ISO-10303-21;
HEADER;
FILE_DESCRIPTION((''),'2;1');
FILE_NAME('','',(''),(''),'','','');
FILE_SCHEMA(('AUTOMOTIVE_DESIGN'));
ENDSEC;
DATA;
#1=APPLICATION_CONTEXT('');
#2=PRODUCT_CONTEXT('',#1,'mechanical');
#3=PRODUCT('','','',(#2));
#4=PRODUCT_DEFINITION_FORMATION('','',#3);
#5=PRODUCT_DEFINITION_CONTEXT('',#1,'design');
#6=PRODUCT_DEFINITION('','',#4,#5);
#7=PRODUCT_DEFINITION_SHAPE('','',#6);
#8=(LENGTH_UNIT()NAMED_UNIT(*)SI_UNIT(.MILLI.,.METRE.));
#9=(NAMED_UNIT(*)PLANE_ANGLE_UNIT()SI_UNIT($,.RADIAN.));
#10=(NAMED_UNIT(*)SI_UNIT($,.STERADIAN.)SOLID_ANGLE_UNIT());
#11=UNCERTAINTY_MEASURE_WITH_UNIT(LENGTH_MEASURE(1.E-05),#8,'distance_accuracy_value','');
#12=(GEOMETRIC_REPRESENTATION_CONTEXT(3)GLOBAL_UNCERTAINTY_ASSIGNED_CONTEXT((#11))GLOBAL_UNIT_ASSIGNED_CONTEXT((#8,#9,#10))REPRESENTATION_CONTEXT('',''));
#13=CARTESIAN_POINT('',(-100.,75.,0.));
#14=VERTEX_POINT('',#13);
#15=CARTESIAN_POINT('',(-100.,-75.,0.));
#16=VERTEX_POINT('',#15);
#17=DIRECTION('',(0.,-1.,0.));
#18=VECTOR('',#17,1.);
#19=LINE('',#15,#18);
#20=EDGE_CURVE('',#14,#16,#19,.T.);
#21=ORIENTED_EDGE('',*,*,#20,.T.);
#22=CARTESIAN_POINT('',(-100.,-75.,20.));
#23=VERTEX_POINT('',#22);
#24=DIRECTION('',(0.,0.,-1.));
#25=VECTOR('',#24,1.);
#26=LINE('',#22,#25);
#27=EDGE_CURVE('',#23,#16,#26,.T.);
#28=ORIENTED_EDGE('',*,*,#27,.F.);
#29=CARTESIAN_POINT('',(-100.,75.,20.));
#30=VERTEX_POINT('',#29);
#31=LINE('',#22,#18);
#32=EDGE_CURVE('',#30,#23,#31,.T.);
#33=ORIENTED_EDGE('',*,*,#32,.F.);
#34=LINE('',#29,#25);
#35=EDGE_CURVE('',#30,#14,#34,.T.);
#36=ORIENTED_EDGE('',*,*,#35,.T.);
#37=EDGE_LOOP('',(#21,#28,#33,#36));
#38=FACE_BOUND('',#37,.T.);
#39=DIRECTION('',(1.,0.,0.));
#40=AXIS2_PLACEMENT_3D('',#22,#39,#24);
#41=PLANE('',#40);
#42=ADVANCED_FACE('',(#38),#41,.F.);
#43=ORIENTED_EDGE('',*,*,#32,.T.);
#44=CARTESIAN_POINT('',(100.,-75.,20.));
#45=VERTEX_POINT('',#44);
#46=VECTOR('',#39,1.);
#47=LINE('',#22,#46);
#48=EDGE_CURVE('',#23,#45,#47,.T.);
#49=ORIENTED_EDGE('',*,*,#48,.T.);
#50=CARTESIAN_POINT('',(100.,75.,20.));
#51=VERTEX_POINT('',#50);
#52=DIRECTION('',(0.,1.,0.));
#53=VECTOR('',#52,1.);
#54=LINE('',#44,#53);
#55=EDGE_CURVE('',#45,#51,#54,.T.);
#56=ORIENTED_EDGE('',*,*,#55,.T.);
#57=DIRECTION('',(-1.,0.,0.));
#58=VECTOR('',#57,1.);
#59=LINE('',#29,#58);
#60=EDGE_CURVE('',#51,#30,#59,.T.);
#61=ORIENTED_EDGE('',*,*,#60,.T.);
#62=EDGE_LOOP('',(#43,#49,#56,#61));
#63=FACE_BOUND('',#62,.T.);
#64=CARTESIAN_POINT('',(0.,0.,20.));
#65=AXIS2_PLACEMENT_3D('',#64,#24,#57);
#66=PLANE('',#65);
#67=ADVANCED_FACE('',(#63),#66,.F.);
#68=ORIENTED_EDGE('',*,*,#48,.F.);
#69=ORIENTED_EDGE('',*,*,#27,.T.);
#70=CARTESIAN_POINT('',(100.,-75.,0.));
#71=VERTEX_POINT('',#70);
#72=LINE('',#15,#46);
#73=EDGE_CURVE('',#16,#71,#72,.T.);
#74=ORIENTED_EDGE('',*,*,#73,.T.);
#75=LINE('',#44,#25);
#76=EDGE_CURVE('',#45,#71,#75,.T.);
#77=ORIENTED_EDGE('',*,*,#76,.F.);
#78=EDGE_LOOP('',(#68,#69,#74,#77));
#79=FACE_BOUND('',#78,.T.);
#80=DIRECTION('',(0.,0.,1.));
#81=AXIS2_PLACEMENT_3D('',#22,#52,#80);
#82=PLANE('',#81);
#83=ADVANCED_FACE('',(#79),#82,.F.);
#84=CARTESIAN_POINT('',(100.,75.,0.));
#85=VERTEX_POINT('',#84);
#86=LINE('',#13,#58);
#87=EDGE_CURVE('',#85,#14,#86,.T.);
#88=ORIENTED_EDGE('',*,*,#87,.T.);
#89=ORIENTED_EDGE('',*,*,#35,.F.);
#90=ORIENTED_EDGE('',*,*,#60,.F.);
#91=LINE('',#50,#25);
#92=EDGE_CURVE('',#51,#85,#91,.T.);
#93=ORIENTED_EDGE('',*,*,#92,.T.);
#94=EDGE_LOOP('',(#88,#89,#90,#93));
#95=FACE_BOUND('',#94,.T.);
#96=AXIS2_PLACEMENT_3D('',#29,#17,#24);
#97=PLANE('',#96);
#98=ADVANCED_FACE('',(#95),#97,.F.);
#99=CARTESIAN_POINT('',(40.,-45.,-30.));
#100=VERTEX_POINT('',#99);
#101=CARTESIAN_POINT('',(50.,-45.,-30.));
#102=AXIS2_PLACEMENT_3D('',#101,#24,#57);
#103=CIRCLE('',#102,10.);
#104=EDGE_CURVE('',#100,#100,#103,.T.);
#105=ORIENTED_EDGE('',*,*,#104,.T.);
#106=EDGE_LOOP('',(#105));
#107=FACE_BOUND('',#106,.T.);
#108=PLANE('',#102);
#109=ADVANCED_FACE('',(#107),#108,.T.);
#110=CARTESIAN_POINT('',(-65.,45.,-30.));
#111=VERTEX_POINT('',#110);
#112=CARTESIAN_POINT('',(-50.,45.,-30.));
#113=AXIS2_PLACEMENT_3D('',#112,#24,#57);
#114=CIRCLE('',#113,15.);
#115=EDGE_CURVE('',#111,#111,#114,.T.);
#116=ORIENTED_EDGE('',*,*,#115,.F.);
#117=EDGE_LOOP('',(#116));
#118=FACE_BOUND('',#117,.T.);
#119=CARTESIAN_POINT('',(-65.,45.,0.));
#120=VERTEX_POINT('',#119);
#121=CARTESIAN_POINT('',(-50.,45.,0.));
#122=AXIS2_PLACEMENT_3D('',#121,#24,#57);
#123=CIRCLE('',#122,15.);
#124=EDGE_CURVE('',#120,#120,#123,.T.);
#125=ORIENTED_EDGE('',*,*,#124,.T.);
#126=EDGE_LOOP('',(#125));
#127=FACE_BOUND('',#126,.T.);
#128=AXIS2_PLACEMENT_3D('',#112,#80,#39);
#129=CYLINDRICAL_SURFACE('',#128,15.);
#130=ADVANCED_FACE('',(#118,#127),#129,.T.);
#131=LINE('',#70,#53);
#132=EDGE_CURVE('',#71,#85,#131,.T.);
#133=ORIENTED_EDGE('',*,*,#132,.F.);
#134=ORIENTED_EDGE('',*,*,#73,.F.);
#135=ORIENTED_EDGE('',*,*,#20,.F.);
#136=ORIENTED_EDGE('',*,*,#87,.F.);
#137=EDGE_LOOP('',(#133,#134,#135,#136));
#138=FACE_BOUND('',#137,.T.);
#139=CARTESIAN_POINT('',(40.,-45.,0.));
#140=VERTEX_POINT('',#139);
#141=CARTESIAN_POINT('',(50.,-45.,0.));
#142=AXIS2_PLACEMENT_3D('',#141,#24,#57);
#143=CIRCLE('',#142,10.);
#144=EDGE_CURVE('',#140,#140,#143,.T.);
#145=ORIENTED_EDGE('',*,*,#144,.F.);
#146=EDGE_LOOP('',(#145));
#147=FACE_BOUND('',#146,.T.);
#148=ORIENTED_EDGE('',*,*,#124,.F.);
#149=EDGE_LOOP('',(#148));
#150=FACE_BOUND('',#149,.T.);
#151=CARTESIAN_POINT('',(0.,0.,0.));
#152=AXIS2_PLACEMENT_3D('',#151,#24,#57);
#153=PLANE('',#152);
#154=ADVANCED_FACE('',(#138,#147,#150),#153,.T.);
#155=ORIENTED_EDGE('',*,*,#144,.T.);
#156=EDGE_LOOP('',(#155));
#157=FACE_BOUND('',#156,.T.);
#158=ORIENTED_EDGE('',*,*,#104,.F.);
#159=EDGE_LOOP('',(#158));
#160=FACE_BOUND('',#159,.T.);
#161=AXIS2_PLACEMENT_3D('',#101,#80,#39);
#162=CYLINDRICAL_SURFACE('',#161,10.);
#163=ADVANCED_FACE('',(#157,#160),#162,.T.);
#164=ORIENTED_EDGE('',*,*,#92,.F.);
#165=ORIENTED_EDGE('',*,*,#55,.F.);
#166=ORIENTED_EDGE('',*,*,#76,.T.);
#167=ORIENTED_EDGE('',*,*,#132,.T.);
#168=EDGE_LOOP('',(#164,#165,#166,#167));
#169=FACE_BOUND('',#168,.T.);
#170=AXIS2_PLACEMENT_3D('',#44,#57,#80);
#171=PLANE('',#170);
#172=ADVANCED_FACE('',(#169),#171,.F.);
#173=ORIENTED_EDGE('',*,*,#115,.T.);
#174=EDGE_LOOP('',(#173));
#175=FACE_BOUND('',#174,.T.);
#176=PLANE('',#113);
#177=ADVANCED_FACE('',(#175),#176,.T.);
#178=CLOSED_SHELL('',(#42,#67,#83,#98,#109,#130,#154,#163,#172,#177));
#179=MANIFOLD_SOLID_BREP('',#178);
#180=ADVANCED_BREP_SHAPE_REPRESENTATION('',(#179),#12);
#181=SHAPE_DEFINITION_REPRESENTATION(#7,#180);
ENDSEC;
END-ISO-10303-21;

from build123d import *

# Parameters (mm, degrees)
SKETCH1_W           = 200
SKETCH1_H           = 150
BOSS_EXTRUDE1_DEPTH = 20
SKETCH2_R           = 10
SKETCH2_R_2         = 15
BOSS_EXTRUDE2_DEPTH = 30


with BuildPart() as part:
    # Sketch1 → Boss-Extrude1 (new body)
    with BuildSketch(Plane.XY):
        Rectangle(SKETCH1_W, SKETCH1_H)
    extrude(amount=BOSS_EXTRUDE1_DEPTH)

    # Sketch2 → Boss-Extrude2 (add)
    with BuildSketch(Plane(origin=(0, 0, 0), x_dir=(-1, 0, 0), z_dir=(0, 0, -1))):
        with Locations((-50, -45)):
            Circle(SKETCH2_R)
        with Locations((50, 45)):
            Circle(SKETCH2_R_2)
    extrude(amount=BOSS_EXTRUDE2_DEPTH)


solid = part.part
